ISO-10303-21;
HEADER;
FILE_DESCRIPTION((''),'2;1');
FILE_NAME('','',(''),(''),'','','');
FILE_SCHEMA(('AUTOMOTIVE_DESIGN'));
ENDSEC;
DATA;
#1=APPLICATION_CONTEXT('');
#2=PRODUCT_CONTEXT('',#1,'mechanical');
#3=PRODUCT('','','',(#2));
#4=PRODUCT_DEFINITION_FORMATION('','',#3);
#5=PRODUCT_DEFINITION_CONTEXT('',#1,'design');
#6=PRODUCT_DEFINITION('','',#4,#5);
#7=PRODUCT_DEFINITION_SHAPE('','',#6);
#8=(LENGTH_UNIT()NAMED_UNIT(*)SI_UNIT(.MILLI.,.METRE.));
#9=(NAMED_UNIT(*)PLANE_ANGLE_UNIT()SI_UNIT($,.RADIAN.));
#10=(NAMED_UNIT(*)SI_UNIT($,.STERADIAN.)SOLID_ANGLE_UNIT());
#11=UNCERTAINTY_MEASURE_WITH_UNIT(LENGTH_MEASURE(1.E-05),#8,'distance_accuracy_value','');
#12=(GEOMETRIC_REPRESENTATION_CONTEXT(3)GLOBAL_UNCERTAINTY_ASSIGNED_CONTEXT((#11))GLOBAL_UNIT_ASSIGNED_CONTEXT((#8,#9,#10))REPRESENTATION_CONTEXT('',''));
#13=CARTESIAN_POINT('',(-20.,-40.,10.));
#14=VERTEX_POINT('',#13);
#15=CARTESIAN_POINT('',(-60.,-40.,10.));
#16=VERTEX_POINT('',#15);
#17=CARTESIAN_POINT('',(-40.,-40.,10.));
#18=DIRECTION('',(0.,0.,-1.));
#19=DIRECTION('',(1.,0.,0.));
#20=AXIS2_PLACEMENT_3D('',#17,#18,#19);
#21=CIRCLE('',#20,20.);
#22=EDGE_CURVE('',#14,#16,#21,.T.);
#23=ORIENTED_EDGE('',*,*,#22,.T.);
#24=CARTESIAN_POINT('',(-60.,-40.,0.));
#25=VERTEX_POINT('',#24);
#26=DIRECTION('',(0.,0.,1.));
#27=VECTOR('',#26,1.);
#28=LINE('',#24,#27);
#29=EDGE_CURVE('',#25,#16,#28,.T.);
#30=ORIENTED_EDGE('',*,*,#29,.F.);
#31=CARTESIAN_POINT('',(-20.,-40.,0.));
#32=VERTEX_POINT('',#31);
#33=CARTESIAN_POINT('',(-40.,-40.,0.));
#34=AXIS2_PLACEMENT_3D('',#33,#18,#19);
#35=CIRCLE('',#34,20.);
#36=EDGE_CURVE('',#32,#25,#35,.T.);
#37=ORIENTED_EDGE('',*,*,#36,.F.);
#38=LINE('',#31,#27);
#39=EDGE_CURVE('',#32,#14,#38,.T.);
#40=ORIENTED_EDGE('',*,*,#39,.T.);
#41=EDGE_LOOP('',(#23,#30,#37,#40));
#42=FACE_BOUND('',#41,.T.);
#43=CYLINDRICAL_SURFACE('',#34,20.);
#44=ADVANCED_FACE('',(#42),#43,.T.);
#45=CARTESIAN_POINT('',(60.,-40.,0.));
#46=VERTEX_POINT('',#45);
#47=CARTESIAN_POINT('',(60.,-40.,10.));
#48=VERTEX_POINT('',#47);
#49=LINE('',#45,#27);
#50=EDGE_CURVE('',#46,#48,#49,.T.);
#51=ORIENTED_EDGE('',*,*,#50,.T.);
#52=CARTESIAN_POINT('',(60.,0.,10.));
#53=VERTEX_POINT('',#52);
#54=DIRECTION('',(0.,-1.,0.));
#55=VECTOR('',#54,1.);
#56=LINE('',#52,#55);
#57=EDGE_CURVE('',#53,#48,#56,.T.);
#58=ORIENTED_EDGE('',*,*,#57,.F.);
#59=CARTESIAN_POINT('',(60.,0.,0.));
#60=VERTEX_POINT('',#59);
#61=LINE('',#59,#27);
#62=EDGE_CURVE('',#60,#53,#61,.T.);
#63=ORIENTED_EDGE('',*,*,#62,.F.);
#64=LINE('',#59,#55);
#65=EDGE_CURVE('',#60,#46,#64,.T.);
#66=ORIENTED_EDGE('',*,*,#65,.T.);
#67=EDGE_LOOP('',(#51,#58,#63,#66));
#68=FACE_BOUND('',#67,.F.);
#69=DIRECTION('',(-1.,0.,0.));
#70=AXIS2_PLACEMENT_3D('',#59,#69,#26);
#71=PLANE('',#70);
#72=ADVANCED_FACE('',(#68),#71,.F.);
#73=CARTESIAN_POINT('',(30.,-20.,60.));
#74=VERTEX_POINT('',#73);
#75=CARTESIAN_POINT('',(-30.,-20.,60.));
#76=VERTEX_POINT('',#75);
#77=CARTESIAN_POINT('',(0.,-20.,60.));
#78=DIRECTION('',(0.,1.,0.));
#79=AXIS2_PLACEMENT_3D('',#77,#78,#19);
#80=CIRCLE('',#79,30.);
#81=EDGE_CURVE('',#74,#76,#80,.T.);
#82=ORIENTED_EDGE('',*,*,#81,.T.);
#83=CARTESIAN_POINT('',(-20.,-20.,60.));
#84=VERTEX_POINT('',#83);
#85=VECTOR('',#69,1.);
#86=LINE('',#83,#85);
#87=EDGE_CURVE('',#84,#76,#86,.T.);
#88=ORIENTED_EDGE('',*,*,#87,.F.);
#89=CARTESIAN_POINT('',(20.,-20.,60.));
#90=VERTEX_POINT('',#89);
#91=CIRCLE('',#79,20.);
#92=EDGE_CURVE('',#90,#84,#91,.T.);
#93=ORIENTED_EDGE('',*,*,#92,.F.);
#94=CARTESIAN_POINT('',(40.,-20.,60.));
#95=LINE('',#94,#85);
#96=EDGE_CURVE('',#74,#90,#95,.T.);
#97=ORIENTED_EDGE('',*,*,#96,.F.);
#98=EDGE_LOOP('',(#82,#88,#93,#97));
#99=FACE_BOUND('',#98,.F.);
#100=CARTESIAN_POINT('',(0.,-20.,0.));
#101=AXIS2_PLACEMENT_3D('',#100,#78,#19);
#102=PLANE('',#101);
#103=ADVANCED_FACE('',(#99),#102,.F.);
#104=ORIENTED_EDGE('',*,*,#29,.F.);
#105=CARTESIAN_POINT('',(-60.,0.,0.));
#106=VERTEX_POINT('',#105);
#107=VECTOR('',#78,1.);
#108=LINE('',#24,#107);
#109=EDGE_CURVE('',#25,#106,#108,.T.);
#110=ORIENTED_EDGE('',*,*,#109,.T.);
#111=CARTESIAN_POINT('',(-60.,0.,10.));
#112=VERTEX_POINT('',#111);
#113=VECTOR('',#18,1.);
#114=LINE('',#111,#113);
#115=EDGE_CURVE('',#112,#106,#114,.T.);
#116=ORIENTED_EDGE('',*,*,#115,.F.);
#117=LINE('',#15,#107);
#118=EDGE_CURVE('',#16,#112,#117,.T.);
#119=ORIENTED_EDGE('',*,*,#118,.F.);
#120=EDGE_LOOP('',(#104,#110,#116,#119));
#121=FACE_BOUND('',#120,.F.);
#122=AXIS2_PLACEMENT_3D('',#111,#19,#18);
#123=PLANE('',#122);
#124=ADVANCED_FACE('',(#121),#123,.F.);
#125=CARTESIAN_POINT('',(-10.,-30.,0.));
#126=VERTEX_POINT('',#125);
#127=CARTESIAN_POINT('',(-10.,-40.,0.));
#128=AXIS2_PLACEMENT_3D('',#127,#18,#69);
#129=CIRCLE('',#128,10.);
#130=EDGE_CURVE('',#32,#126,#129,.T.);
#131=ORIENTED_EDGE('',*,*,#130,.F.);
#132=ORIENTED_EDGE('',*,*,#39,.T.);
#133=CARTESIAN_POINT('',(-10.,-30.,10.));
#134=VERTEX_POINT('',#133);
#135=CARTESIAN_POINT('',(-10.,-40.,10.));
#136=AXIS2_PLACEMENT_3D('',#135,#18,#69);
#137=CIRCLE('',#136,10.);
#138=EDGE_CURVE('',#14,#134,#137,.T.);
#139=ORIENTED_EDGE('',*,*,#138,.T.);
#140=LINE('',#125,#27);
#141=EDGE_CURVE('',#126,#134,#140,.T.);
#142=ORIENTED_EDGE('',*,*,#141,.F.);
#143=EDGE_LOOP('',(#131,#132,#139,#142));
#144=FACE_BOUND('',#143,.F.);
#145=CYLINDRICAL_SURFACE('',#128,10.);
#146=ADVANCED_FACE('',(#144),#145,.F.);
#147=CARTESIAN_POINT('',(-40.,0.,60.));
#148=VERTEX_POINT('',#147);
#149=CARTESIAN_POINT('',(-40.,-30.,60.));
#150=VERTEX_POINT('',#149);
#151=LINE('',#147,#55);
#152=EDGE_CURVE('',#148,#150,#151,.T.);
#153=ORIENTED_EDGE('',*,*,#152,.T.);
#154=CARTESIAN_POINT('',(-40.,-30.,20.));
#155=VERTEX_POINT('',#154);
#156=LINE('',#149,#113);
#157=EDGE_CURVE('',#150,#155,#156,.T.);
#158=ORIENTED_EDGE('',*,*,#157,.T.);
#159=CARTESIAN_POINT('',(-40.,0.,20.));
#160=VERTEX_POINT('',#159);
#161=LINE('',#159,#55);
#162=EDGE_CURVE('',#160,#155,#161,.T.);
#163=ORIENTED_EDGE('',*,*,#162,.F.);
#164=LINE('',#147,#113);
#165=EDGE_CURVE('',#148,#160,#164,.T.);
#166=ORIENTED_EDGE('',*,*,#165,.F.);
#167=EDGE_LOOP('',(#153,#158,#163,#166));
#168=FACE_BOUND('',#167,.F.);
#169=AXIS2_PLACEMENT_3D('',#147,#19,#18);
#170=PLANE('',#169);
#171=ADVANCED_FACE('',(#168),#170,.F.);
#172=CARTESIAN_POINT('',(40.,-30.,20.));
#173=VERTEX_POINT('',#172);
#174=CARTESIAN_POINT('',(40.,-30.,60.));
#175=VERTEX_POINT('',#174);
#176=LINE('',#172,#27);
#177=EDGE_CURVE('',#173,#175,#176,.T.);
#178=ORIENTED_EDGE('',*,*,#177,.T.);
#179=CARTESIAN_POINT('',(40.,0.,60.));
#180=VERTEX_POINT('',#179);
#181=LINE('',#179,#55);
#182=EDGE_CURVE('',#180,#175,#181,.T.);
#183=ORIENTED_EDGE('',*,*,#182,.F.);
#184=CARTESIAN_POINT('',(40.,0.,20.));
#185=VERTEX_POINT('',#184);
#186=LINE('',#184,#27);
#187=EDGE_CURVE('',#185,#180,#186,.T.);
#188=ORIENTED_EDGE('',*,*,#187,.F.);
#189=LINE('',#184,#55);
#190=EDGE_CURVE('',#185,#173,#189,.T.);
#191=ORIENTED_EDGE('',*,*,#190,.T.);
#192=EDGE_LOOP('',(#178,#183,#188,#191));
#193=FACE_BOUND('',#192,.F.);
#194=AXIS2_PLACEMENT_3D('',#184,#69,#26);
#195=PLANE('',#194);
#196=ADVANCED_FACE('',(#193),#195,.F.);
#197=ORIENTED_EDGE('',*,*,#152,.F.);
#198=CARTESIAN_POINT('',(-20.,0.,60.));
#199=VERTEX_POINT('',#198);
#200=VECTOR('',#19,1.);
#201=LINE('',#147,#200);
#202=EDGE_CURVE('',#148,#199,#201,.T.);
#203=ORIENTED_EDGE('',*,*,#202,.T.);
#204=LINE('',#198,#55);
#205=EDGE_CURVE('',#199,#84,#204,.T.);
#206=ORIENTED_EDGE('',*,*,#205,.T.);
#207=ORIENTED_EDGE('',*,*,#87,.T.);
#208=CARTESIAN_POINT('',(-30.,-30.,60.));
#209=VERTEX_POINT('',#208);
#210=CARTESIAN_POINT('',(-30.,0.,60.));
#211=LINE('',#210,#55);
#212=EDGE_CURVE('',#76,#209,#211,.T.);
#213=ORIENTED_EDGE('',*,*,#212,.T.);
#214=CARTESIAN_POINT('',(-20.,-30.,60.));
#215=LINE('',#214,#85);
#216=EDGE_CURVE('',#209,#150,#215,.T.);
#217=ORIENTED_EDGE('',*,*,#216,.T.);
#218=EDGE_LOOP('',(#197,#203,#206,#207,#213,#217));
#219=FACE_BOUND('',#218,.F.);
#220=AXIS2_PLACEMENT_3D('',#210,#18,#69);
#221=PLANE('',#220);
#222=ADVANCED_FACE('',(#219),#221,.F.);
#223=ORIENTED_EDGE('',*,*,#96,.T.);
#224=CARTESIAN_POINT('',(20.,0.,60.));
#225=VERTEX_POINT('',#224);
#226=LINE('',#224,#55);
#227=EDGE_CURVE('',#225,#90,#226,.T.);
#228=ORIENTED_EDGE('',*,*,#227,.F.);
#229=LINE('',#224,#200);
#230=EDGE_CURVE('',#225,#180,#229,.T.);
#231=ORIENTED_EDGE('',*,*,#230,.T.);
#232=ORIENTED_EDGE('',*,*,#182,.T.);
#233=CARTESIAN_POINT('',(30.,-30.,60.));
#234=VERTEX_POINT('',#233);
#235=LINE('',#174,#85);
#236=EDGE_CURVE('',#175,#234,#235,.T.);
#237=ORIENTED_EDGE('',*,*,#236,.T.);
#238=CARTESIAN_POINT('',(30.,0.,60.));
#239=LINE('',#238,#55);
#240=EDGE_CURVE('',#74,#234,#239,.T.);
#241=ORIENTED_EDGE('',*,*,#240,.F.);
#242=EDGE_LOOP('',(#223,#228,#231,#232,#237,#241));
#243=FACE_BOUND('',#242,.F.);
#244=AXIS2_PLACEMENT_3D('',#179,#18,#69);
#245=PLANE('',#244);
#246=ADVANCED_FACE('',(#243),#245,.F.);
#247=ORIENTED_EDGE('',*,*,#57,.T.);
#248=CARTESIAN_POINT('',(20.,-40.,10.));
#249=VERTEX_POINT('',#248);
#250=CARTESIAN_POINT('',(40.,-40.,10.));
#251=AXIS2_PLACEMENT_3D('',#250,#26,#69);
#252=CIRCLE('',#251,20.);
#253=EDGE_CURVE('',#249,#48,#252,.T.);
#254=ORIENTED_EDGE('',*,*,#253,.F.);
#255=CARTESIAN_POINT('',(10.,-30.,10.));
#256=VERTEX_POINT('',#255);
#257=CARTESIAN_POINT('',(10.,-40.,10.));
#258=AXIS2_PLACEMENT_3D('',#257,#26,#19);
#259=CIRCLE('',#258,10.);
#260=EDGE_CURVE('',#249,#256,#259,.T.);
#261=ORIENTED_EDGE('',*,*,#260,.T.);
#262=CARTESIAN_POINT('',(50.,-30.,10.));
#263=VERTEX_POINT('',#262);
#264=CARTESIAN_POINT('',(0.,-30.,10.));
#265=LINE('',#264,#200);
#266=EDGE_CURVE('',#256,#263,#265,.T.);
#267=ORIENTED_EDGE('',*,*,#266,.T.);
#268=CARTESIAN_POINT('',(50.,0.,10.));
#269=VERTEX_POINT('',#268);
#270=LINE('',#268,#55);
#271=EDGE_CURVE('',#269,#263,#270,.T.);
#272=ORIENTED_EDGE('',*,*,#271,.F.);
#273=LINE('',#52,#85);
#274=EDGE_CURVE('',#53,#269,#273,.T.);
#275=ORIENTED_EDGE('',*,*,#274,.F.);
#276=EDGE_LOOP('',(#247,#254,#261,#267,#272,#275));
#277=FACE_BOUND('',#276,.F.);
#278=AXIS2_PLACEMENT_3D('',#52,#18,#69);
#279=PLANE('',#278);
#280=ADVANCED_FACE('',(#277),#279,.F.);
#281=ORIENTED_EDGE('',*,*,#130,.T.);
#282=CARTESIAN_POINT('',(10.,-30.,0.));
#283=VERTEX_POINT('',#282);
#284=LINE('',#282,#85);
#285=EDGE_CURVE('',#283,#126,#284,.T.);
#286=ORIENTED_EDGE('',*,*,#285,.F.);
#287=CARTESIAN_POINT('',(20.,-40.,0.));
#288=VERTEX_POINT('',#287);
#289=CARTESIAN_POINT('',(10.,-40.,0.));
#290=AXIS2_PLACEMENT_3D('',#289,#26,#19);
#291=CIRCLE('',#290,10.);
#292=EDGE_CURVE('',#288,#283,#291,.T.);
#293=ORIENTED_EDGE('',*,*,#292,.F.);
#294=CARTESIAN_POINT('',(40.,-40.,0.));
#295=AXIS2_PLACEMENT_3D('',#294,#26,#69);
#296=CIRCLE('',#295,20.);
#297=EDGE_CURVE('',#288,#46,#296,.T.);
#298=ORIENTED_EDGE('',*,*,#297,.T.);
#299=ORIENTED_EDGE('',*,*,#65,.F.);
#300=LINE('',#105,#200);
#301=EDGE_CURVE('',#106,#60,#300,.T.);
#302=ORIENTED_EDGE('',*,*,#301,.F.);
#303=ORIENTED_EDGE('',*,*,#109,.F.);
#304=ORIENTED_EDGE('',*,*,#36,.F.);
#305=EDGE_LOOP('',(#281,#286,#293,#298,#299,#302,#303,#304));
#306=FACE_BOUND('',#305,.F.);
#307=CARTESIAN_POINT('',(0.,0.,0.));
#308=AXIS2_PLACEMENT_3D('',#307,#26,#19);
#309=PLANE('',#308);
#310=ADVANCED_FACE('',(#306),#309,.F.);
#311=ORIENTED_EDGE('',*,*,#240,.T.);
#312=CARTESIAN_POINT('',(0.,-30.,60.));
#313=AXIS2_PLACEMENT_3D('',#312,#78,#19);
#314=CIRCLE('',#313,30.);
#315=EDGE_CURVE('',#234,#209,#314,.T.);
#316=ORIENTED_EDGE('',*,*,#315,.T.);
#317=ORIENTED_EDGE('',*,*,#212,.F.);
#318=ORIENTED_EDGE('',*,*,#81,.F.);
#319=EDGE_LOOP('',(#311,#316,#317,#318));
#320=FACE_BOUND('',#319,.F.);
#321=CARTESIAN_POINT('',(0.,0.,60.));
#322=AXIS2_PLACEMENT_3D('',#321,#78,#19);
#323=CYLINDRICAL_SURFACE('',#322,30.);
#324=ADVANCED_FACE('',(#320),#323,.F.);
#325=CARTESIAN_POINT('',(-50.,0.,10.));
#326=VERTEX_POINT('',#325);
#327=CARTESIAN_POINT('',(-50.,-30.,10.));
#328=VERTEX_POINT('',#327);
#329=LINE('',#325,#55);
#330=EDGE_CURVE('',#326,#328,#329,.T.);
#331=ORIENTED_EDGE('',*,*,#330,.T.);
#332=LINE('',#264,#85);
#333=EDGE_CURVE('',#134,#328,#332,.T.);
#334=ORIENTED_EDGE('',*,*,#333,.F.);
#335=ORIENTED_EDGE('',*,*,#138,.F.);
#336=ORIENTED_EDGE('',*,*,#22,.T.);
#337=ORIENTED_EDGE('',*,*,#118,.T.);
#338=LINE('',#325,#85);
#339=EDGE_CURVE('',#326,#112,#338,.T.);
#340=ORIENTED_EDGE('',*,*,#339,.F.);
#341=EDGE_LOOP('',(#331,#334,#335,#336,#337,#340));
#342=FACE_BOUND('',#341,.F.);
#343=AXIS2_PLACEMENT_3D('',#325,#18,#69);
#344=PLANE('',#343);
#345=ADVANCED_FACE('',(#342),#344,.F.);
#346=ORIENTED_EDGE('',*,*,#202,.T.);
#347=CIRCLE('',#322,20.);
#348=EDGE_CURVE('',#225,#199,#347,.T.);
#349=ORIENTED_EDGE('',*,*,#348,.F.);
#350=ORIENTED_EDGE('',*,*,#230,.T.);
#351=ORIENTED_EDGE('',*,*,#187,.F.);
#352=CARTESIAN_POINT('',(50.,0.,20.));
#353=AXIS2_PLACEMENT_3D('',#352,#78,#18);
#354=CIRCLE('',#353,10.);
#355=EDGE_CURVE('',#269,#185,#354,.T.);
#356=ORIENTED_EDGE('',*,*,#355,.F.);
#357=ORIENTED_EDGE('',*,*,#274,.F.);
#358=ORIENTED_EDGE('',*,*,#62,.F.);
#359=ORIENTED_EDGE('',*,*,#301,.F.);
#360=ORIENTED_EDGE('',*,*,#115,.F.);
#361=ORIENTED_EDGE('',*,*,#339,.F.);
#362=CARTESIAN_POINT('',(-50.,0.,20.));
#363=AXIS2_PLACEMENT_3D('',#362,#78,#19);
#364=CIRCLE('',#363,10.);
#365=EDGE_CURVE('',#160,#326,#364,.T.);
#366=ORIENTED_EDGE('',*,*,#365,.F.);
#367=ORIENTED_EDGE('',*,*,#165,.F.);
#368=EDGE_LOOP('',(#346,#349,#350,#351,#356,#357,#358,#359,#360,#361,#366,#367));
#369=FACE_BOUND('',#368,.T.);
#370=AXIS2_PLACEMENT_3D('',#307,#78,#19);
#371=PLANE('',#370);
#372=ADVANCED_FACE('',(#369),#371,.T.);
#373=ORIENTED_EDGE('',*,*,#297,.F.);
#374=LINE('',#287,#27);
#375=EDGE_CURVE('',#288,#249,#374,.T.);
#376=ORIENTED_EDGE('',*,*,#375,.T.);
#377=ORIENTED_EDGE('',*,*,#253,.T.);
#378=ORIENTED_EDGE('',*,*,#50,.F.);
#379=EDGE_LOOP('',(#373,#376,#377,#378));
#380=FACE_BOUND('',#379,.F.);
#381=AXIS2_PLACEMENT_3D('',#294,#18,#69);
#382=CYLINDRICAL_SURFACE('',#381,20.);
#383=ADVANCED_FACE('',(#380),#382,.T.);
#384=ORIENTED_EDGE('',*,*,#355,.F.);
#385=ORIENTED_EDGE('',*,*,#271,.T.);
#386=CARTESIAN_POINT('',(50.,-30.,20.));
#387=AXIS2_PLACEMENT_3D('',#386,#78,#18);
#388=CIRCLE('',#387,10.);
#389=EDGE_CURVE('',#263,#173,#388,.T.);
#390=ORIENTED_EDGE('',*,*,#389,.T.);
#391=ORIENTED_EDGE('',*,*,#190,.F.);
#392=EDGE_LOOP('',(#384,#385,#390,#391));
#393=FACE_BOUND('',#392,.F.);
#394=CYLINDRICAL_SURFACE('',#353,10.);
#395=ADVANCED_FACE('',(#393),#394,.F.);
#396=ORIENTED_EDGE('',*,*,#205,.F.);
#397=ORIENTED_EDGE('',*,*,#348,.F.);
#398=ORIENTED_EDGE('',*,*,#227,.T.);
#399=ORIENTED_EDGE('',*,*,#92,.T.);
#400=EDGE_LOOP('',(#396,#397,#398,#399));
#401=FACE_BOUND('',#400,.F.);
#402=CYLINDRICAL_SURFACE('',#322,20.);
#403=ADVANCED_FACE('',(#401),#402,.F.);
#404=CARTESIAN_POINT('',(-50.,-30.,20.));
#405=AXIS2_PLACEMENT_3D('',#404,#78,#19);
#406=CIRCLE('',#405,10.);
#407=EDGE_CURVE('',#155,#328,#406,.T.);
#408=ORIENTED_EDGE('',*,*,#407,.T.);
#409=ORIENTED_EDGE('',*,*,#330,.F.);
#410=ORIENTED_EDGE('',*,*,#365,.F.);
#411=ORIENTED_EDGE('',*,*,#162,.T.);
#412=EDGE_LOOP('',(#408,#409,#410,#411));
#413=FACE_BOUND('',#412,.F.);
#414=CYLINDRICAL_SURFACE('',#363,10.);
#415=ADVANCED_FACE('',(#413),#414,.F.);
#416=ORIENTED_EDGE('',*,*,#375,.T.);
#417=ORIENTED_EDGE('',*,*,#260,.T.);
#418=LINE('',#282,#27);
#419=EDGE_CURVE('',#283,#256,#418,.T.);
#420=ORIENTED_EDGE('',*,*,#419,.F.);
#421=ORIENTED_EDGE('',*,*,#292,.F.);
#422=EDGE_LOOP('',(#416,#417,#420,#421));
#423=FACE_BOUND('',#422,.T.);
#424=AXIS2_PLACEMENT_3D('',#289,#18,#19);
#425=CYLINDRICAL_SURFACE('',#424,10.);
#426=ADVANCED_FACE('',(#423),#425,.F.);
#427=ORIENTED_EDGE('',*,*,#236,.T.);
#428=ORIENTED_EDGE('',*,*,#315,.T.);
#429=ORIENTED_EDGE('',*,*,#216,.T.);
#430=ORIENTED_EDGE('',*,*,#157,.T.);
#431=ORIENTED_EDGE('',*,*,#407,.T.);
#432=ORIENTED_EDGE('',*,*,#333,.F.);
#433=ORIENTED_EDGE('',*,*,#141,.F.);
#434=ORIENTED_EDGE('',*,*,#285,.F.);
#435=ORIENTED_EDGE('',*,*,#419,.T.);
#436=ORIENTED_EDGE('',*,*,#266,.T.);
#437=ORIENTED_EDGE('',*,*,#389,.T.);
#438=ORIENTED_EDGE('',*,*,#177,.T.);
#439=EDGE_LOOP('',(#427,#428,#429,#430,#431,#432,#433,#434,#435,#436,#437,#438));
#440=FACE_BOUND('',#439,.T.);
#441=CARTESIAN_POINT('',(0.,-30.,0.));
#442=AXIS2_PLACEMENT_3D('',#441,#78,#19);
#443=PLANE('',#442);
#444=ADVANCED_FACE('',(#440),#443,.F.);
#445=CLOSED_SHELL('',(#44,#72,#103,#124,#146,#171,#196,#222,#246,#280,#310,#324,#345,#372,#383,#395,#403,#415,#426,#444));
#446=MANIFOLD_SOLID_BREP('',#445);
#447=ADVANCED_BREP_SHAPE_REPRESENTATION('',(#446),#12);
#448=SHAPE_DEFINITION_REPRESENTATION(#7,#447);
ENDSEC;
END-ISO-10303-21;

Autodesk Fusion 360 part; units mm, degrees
sketch "Sketch1" plane through (0, 0, 0) normal (0, 1, 0) x (1, 0, 0)
  line L0 (0, 0) -> (60, 0)
  line L1 (60, 0) -> (60, -10)
  line L2 (60, -10) -> (50, -10)
  line L3 (40, -20) -> (40, -60)
  line L4 (-40, -60) -> (-40, -20)
  line L5 (-50, -10) -> (-60, -10)
  line L6 (-60, -10) -> (-60, 0)
  line L7 (-60, 0) -> (0, 0)
  arc A0 (-40, -20) -> (-50, -10) centre (-50, -20) ccw
  arc A1 (50, -10) -> (40, -20) centre (50, -20) ccw
  arc A2 (20, -60) -> (-20, -60) centre (0, -60) ccw
  arc A3 (30, -60) -> (-30, -60) centre (0, -60) ccw
  line L8 (40, -60) -> (20, -60)
  line L9 (-20, -60) -> (-40, -60)
  dimension "d1" = 60
  dimension "d2" = 60
  dimension "d3" = 10
  dimension "d4" = 10
  dimension "d5" = 10
  dimension "d6" = 40
  dimension "d7" = 40
  dimension "d8" = 60
  dimension "d9" = 40
  dimension "d10" = 40
  dimension "d11" = 60
  dimension "d12" = 40
sketch "Sketch2" plane through (0, 0, 0) normal (0, 0, 1) x (1, 0, 0)
  line L0 (60, 0) -> (60, -40)
  line L1 (0, 0) -> (0, -30)
  line L2 (0, -30) -> (10, -30)
  arc A0 (20, -40) -> (60, -40) centre (40, -40) ccw
  line L3 (0, 0) -> (60, 0)
  arc A1 (20, -40) -> (10, -30) centre (10, -40) ccw
  dimension "d18" = 60
  dimension "d21" = 60
  dimension "d22" = 30
  dimension "d23" = 40
  dimension "d24" = 40
  dimension "d26" = 40
  dimension "d27" = 40
  dimension "d28" = 10
  dimension "d33" = 20
extrude "Extrude1" add sketch "Sketch1" against normal blind 30 contours L0 L1 L2 L3 L4 L5 L6 L7 A0 A1 A3 L8 L9
extrude "Extrude2" add sketch "Sketch1" against normal blind 20 contours A2 A3 L8 L9
extrude "Extrude3" add sketch "Sketch2" along normal blind 10
mirror "Mirror1" about plane through (0, 0, 0) normal (1, 0, 0) of "Extrude3"
equation "d9 = d6"
equation "d12 = d6"
